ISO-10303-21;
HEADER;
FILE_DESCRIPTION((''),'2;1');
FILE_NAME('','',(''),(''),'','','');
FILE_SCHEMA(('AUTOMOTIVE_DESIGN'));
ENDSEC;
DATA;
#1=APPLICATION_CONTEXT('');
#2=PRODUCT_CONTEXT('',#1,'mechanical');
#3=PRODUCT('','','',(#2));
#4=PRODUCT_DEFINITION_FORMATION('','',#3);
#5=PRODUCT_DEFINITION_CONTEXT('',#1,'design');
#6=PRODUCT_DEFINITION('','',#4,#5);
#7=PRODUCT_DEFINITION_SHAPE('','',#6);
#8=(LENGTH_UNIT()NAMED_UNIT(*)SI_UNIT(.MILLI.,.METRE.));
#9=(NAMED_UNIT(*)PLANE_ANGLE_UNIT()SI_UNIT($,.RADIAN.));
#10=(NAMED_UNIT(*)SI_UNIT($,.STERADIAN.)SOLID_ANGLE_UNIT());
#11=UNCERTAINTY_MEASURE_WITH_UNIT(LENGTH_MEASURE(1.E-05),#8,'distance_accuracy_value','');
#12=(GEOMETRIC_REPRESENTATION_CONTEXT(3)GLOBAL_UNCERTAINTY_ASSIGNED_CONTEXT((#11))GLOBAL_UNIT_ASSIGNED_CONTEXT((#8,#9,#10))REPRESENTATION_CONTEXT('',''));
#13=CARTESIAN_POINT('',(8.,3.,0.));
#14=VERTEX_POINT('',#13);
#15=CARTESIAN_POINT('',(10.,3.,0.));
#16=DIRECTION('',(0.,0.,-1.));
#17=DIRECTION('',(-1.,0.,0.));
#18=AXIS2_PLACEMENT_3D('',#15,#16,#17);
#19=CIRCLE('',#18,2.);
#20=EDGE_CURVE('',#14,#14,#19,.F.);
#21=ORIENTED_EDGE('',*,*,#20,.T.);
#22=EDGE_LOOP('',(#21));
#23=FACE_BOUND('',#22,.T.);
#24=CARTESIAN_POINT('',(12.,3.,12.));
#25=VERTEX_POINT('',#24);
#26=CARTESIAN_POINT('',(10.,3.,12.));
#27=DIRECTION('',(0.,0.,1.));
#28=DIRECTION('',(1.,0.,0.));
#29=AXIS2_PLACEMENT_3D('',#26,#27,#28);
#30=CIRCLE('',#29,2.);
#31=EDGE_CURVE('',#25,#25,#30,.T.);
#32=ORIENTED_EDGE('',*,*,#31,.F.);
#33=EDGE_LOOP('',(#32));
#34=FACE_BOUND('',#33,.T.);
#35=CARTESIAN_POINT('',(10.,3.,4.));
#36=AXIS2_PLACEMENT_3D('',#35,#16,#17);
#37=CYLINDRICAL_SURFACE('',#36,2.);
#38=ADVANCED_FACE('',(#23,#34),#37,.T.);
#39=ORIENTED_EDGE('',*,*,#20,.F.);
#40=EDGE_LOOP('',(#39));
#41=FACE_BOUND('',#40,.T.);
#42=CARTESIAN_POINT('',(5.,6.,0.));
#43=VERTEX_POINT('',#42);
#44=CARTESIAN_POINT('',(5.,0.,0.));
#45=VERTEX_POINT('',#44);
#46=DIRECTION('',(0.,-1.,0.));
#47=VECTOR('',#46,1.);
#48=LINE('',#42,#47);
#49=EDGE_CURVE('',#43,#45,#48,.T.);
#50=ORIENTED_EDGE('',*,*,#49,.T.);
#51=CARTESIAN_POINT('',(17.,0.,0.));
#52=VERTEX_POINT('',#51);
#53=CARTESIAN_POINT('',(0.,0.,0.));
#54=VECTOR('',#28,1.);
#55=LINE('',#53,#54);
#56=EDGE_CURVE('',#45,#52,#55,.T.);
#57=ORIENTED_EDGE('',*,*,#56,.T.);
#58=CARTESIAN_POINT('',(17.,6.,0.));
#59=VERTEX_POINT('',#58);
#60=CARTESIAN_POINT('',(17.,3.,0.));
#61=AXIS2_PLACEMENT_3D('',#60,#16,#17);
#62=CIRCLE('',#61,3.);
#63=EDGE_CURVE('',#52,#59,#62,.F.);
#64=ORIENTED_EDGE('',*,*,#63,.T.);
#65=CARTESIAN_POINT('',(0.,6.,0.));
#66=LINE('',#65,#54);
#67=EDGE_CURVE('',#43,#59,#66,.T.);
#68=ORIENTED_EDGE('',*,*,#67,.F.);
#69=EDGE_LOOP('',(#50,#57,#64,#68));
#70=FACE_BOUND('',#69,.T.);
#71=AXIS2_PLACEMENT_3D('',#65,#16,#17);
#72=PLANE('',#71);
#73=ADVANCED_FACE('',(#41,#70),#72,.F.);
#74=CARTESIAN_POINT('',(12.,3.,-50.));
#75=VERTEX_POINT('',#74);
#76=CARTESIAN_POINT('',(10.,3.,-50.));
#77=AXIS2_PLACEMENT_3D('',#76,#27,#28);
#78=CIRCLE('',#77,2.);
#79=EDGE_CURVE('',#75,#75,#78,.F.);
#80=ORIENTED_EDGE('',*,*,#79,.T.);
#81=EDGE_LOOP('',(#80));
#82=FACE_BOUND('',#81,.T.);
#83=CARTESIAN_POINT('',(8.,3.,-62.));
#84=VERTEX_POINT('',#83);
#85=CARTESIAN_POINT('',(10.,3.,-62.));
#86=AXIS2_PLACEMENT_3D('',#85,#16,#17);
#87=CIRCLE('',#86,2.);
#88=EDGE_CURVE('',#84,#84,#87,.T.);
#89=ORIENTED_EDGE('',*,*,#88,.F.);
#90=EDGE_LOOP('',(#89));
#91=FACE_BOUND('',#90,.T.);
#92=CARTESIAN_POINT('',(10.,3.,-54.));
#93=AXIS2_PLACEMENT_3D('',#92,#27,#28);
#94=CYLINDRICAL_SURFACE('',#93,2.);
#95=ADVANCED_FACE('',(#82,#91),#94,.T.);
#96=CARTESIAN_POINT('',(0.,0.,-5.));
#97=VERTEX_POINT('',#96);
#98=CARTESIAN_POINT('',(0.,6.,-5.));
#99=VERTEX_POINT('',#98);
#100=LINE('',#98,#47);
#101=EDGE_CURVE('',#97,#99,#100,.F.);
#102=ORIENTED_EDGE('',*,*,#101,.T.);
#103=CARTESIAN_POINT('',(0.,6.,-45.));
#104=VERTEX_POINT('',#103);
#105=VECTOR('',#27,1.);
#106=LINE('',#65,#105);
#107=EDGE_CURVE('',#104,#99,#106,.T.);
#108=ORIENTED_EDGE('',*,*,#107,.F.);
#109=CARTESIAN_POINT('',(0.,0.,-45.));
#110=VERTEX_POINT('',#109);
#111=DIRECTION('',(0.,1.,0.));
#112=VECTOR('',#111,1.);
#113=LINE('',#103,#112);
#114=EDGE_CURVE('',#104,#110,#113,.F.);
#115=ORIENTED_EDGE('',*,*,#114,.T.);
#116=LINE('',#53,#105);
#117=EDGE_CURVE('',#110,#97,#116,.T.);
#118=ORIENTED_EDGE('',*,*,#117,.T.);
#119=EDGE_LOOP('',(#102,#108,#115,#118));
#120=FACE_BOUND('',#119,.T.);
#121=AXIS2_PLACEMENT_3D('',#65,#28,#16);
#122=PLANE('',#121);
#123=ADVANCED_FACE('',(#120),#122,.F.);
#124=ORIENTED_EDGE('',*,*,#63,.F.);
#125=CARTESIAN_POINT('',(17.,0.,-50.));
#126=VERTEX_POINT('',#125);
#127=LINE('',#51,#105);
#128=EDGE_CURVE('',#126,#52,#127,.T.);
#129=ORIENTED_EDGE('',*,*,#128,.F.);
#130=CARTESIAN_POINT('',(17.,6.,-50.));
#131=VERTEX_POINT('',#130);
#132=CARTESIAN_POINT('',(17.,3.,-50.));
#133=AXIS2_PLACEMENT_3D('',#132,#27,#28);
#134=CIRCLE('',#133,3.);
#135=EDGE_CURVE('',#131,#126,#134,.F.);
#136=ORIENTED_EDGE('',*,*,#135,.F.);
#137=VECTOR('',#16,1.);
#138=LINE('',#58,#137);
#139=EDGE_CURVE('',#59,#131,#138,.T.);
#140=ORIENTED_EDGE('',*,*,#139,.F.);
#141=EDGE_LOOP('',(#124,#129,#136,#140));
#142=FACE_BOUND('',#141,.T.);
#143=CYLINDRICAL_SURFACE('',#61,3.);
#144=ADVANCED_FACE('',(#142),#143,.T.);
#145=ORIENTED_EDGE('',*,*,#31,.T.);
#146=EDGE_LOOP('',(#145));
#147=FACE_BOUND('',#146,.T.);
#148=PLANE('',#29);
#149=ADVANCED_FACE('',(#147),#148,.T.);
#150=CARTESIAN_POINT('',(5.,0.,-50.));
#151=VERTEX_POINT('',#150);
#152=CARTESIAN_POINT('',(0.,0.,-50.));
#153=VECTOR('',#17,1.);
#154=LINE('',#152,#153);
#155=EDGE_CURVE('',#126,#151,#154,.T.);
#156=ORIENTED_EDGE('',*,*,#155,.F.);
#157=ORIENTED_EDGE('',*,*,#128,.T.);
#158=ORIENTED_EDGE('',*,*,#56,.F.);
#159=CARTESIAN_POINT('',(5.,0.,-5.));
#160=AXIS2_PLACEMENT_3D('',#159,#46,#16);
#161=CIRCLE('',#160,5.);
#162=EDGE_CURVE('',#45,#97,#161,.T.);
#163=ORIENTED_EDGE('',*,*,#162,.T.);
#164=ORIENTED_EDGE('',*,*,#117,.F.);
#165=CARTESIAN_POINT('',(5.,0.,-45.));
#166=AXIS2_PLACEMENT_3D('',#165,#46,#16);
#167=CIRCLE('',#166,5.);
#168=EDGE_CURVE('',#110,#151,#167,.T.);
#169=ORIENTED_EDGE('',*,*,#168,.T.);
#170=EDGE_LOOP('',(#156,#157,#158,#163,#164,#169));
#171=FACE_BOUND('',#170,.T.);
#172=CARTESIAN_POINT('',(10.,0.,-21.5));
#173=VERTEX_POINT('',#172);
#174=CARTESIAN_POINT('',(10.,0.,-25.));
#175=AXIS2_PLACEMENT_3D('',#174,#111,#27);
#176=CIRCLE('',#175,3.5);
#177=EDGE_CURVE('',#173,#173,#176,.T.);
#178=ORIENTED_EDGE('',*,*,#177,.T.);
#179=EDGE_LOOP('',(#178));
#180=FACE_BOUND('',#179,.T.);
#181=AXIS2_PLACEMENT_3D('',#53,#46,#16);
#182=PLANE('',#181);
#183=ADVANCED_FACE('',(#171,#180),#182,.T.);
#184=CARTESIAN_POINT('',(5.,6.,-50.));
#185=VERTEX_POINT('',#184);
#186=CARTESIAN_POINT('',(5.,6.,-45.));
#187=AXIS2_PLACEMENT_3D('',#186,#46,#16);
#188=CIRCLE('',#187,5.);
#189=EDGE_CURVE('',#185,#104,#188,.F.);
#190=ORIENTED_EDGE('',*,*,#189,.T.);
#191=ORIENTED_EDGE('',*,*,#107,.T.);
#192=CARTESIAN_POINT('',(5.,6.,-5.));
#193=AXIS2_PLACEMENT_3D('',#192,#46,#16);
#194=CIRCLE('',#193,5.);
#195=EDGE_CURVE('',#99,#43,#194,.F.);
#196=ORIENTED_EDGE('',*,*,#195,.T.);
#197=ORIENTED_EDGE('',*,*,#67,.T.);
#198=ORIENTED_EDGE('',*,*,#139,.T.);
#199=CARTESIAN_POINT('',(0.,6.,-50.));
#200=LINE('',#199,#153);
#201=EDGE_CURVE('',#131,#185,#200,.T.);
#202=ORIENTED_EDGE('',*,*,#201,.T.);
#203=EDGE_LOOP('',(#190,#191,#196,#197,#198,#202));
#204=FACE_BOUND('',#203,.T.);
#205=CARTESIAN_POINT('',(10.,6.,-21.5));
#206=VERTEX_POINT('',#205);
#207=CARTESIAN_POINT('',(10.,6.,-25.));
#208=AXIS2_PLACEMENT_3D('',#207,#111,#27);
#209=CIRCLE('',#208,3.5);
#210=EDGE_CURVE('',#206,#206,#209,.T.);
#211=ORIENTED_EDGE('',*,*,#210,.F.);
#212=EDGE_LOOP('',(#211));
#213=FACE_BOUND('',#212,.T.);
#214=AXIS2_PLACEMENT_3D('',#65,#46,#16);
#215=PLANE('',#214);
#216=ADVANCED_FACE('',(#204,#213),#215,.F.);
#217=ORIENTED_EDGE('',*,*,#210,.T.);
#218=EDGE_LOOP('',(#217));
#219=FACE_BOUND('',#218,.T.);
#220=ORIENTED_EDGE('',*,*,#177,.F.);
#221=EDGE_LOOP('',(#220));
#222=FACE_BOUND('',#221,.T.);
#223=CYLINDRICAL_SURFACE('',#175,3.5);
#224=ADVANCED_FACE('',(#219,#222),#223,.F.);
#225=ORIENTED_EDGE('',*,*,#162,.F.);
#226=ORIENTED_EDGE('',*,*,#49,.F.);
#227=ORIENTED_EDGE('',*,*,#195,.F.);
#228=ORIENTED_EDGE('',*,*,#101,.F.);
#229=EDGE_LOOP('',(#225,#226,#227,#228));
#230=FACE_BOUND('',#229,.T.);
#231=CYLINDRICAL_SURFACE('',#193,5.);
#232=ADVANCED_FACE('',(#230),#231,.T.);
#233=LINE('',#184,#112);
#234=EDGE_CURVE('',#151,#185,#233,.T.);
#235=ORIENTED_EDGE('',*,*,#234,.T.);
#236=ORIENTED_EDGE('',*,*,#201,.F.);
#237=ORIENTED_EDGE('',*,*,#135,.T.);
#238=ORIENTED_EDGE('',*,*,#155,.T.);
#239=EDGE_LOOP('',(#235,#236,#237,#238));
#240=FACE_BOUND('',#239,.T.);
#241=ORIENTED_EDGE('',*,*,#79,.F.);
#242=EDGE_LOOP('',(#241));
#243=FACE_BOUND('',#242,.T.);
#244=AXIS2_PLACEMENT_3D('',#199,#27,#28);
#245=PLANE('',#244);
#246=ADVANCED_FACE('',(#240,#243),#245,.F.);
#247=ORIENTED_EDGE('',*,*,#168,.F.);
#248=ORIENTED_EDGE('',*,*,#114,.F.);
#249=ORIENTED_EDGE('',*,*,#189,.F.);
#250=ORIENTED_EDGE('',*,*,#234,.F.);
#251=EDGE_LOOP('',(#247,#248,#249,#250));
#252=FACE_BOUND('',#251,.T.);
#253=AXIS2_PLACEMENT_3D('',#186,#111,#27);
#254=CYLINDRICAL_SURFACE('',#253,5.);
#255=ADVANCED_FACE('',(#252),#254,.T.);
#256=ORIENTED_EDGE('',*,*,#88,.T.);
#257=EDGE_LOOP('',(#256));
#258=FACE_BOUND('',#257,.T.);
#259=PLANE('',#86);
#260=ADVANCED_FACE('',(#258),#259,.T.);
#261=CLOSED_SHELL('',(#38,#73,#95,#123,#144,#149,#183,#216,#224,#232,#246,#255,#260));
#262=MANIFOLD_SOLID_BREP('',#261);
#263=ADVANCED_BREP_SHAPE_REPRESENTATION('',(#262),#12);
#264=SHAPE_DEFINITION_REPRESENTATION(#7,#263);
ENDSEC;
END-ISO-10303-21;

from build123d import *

# Parameters (mm, degrees)
SKETCH1_W           = 20
SKETCH1_H           = 50
BOSS_EXTRUDE1_DEPTH = 6
CUT_EXTRUDE1_DEPTH  = 55.184868737
BOSS_EXTRUDE2_DEPTH = 4
BOSS_EXTRUDE3_START = 4
BOSS_EXTRUDE3_DEPTH = 4
BOSS_EXTRUDE4_START = 1
SKETCH5_R           = 2
BOSS_EXTRUDE4_DEPTH = 1
SKETCH6_R           = 2
BOSS_EXTRUDE5_DEPTH = 1
FILLET1_R           = 5
FILLET2_R           = 5
FILLET3_RADIUS      = 3
FILLET3_LENGTH      = 50
BOSS_EXTRUDE6_START = 7
SKETCH7_R           = 2
BOSS_EXTRUDE6_DEPTH = 7
SKETCH8_R           = 2
BOSS_EXTRUDE7_DEPTH = 7


with BuildPart() as part:
    # Sketch1 → Boss-Extrude1 (new body)
    with BuildSketch(Plane(origin=(0, 0, 0), x_dir=(1, 0, 0), z_dir=(0, 1, 0))):
        with Locations((10, 25)):
            Rectangle(SKETCH1_W, SKETCH1_H)
    extrude(amount=BOSS_EXTRUDE1_DEPTH)

    # Sketch2 → Cut-Extrude1 (cut, through all)
    with BuildSketch(Plane(origin=(0, 6, 0), x_dir=(1, 0, 0), z_dir=(0, 1, 0))):
        with BuildLine():
            ThreePointArc((13.5, 25), (12.474873734, 27.474873734), (10, 28.5))
            Line((10, 28.5), (10, 21.5))
            ThreePointArc((10, 21.5), (12.474873734, 22.525126266), (13.5, 25))
        make_face()
        with BuildLine():
            Line((10, 21.5), (10, 28.5))
            ThreePointArc((10, 28.5), (6.5, 25), (10, 21.5))
        make_face()
    extrude(amount=-CUT_EXTRUDE1_DEPTH, mode=Mode.SUBTRACT)

    # Sketch3 → Boss-Extrude2 (add)
    with BuildSketch(Plane.XY):
        with BuildLine():
            ThreePointArc((12, 3), (11.414213562, 4.414213562), (10, 5))
            Line((10, 5), (10, 1))
            ThreePointArc((10, 1), (11.414213562, 1.585786438), (12, 3))
        make_face()
        with BuildLine():
            Line((10, 1), (10, 5))
            ThreePointArc((10, 5), (8, 3), (10, 1))
        make_face()
    extrude(amount=BOSS_EXTRUDE2_DEPTH)

    # Sketch4 → Boss-Extrude3 (add)
    with BuildSketch(Plane(origin=(0, 0, -50), x_dir=(-1, 0, 0), z_dir=(0, 0, -1)).offset(BOSS_EXTRUDE3_START)):
        with BuildLine():
            ThreePointArc((-8, 3), (-8.585786438, 4.414213562), (-10, 5))
            Line((-10, 5), (-10, 1))
            ThreePointArc((-10, 1), (-8.585786438, 1.585786438), (-8, 3))
        make_face()
        with BuildLine():
            Line((-10, 1), (-10, 5))
            ThreePointArc((-10, 5), (-12, 3), (-10, 1))
        make_face()
    extrude(amount=-BOSS_EXTRUDE3_DEPTH)

    # Sketch5 → Boss-Extrude4 (add)
    with BuildSketch(Plane(origin=(0, 0, -54), x_dir=(-1, 0, 0), z_dir=(0, 0, -1)).offset(BOSS_EXTRUDE4_START)):
        with Locations((-10, 3)):
            Circle(SKETCH5_R)
    extrude(amount=-BOSS_EXTRUDE4_DEPTH)

    # Sketch6 → Boss-Extrude5 (add)
    with BuildSketch(Plane.XY.offset(4)):
        with Locations(Location((10, 3, 0), (0, 0, 180))):
            Circle(SKETCH6_R)
    extrude(amount=BOSS_EXTRUDE5_DEPTH)

    # Fillet1
    fillet1_edges = [part.edges().sort_by_distance(p)[0] for p in [
        (0, 3, -50),
    ]]
    fillet(fillet1_edges, radius=FILLET1_R)

    # Fillet2
    fillet2_edges = [part.edges().sort_by_distance(p)[0] for p in [
        (0, 3, 0),
    ]]
    fillet(fillet2_edges, radius=FILLET2_R)

    # Fillet3: full round fillet: the end face becomes a half cylinder, R = half its width
    fillet3_face = Plane((20, 3, -25), x_dir=(0, 0, 1), z_dir=(1, 0, 0))  # on the end face: x along it, z out of the body
    fillet3_slab = fillet3_face.offset(-FILLET3_RADIUS / 2) * Box(FILLET3_LENGTH, 2 * FILLET3_RADIUS, FILLET3_RADIUS, mode=Mode.PRIVATE)  # the body's end, R deep
    fillet3_round = Plane((17, 3, -25), x_dir=(1, 0, 0), z_dir=(0, 0, 1)) * Cylinder(FILLET3_RADIUS, FILLET3_LENGTH, mode=Mode.PRIVATE)  # its axis R under the face
    add(fillet3_slab - fillet3_round, mode=Mode.SUBTRACT)

    # Sketch7 → Boss-Extrude6 (add)
    with BuildSketch(Plane(origin=(0, 0, -55), x_dir=(-1, 0, 0), z_dir=(0, 0, -1)).offset(BOSS_EXTRUDE6_START)):
        with Locations((-10, 3)):
            Circle(SKETCH7_R)
    extrude(amount=-BOSS_EXTRUDE6_DEPTH)

    # Sketch8 → Boss-Extrude7 (add)
    with BuildSketch(Plane.XY.offset(5)):
        with Locations(Location((10, 3, 0), (0, 0, 180))):
            Circle(SKETCH8_R)
    extrude(amount=BOSS_EXTRUDE7_DEPTH)


solid = part.part
